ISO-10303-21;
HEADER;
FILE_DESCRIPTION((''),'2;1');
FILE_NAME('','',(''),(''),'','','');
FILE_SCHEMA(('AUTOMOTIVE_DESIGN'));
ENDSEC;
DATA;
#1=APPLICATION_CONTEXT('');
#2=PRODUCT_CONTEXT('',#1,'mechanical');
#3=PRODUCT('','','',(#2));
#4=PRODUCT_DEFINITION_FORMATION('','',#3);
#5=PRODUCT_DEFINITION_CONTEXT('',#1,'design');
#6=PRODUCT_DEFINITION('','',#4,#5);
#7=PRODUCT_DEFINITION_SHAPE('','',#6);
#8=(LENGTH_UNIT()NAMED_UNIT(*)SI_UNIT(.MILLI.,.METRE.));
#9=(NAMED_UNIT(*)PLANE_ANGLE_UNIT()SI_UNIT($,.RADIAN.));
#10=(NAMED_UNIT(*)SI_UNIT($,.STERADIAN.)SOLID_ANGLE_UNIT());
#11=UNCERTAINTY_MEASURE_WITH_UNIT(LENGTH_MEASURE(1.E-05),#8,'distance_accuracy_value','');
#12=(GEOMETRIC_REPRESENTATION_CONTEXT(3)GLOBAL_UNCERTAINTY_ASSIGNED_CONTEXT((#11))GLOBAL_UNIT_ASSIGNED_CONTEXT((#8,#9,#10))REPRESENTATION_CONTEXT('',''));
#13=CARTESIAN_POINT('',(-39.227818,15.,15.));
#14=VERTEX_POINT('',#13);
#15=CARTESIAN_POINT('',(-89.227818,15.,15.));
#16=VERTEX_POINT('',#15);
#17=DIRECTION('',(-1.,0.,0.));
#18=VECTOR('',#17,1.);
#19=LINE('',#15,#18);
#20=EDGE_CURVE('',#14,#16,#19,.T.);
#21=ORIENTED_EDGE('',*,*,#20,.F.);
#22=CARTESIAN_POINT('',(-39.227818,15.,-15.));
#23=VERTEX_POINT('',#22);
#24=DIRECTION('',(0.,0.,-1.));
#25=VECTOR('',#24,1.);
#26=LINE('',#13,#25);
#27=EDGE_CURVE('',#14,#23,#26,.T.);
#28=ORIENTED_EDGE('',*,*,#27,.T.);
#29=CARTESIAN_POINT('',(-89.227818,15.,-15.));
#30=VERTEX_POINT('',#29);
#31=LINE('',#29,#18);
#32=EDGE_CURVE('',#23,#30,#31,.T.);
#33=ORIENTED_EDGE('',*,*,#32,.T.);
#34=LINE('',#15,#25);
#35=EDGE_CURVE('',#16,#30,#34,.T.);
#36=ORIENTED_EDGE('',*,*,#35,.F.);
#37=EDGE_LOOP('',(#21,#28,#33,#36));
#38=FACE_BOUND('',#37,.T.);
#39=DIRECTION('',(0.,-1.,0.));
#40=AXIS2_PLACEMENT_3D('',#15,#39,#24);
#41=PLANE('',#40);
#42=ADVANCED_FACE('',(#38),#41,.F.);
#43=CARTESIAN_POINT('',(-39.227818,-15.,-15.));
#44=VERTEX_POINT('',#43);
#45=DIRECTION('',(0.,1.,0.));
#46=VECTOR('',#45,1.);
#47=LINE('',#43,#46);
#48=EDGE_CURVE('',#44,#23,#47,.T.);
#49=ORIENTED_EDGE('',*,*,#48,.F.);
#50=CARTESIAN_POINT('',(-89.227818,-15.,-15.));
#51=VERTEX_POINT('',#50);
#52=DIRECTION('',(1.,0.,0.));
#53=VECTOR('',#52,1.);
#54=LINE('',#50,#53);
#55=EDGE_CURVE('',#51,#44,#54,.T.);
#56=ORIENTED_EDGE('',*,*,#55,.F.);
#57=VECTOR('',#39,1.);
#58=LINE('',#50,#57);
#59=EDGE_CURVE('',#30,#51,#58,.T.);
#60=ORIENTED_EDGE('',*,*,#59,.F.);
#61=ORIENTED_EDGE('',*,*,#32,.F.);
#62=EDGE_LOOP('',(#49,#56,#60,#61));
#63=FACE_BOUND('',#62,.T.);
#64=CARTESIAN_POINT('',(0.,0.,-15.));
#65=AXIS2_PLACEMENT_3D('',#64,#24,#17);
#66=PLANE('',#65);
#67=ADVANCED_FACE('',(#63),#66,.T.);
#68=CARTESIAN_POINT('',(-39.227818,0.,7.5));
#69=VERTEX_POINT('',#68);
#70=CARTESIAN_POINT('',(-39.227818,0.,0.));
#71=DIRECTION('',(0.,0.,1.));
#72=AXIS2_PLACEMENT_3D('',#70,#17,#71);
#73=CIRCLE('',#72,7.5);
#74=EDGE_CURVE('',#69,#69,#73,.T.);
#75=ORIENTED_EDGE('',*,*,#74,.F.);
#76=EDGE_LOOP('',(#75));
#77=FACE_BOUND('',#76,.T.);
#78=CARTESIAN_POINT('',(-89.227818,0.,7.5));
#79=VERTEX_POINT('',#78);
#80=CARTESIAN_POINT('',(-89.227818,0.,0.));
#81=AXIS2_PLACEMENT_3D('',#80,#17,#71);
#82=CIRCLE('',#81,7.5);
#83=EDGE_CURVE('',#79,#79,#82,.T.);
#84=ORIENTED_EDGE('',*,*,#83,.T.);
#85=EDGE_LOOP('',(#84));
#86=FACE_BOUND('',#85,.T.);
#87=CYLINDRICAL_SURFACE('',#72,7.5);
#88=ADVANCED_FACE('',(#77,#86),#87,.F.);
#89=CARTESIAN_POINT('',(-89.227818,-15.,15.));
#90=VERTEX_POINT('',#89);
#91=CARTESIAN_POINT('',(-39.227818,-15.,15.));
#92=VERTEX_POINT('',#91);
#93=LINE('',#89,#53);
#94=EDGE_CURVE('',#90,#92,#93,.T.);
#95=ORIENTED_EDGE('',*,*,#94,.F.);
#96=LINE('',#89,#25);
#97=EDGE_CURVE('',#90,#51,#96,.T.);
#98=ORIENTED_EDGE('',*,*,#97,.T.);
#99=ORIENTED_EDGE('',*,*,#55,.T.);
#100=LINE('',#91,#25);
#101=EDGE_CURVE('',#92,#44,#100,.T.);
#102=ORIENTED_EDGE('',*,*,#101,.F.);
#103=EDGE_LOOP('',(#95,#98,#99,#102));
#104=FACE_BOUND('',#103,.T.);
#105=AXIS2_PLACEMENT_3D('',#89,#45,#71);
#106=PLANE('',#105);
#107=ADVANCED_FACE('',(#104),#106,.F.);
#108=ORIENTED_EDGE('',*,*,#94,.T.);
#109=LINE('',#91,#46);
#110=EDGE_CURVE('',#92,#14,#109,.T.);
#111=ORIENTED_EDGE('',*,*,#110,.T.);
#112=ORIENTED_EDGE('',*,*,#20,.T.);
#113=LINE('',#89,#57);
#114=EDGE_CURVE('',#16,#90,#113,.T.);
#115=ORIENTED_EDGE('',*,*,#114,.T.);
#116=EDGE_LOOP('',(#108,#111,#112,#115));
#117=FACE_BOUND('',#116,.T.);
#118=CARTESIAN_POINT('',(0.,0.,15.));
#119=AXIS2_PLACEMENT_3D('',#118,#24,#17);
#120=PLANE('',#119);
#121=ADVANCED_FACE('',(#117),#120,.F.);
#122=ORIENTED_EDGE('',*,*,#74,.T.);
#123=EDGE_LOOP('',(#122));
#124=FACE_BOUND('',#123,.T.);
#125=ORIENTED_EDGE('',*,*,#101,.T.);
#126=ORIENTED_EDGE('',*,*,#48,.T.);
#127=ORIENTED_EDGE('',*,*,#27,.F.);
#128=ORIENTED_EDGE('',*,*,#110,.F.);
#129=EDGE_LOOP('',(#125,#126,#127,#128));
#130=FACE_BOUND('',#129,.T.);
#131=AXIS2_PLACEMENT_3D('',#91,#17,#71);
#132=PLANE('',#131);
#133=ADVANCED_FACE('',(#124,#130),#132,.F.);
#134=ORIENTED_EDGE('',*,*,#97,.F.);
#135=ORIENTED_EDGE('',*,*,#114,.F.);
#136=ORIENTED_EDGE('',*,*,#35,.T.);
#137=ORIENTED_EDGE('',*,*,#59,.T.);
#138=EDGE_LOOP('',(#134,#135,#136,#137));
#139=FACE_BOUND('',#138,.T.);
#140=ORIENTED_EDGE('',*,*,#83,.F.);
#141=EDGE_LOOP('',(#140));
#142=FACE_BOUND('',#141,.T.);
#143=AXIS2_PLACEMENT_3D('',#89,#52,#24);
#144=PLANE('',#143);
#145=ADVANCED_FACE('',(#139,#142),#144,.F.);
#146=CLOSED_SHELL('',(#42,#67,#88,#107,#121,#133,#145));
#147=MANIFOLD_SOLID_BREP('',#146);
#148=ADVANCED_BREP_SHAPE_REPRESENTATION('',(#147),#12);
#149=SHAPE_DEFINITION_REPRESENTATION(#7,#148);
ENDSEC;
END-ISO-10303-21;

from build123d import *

# Parameters (mm, degrees)
CROQUIS1_W              = 50
CROQUIS1_H              = 30
SALIENTE_EXTRUIR1_DEPTH = 15
CROQUIS2_R              = 7.5
CORTAR_EXTRUIR1_DEPTH   = 55.313902456


with BuildPart() as part:
    # Croquis1 → Saliente-Extruir1 (new, symmetric)
    with BuildSketch(Plane.XY):
        with Locations((-64.227817577, 0)):
            Rectangle(CROQUIS1_W, CROQUIS1_H)
    extrude(amount=SALIENTE_EXTRUIR1_DEPTH, both=True)

    # Croquis2 → Cortar-Extruir1 (cut, through all)
    with BuildSketch(Plane.ZY.offset(89.227817577)):
        Circle(CROQUIS2_R)
    extrude(amount=-CORTAR_EXTRUIR1_DEPTH, mode=Mode.SUBTRACT)


solid = part.part
